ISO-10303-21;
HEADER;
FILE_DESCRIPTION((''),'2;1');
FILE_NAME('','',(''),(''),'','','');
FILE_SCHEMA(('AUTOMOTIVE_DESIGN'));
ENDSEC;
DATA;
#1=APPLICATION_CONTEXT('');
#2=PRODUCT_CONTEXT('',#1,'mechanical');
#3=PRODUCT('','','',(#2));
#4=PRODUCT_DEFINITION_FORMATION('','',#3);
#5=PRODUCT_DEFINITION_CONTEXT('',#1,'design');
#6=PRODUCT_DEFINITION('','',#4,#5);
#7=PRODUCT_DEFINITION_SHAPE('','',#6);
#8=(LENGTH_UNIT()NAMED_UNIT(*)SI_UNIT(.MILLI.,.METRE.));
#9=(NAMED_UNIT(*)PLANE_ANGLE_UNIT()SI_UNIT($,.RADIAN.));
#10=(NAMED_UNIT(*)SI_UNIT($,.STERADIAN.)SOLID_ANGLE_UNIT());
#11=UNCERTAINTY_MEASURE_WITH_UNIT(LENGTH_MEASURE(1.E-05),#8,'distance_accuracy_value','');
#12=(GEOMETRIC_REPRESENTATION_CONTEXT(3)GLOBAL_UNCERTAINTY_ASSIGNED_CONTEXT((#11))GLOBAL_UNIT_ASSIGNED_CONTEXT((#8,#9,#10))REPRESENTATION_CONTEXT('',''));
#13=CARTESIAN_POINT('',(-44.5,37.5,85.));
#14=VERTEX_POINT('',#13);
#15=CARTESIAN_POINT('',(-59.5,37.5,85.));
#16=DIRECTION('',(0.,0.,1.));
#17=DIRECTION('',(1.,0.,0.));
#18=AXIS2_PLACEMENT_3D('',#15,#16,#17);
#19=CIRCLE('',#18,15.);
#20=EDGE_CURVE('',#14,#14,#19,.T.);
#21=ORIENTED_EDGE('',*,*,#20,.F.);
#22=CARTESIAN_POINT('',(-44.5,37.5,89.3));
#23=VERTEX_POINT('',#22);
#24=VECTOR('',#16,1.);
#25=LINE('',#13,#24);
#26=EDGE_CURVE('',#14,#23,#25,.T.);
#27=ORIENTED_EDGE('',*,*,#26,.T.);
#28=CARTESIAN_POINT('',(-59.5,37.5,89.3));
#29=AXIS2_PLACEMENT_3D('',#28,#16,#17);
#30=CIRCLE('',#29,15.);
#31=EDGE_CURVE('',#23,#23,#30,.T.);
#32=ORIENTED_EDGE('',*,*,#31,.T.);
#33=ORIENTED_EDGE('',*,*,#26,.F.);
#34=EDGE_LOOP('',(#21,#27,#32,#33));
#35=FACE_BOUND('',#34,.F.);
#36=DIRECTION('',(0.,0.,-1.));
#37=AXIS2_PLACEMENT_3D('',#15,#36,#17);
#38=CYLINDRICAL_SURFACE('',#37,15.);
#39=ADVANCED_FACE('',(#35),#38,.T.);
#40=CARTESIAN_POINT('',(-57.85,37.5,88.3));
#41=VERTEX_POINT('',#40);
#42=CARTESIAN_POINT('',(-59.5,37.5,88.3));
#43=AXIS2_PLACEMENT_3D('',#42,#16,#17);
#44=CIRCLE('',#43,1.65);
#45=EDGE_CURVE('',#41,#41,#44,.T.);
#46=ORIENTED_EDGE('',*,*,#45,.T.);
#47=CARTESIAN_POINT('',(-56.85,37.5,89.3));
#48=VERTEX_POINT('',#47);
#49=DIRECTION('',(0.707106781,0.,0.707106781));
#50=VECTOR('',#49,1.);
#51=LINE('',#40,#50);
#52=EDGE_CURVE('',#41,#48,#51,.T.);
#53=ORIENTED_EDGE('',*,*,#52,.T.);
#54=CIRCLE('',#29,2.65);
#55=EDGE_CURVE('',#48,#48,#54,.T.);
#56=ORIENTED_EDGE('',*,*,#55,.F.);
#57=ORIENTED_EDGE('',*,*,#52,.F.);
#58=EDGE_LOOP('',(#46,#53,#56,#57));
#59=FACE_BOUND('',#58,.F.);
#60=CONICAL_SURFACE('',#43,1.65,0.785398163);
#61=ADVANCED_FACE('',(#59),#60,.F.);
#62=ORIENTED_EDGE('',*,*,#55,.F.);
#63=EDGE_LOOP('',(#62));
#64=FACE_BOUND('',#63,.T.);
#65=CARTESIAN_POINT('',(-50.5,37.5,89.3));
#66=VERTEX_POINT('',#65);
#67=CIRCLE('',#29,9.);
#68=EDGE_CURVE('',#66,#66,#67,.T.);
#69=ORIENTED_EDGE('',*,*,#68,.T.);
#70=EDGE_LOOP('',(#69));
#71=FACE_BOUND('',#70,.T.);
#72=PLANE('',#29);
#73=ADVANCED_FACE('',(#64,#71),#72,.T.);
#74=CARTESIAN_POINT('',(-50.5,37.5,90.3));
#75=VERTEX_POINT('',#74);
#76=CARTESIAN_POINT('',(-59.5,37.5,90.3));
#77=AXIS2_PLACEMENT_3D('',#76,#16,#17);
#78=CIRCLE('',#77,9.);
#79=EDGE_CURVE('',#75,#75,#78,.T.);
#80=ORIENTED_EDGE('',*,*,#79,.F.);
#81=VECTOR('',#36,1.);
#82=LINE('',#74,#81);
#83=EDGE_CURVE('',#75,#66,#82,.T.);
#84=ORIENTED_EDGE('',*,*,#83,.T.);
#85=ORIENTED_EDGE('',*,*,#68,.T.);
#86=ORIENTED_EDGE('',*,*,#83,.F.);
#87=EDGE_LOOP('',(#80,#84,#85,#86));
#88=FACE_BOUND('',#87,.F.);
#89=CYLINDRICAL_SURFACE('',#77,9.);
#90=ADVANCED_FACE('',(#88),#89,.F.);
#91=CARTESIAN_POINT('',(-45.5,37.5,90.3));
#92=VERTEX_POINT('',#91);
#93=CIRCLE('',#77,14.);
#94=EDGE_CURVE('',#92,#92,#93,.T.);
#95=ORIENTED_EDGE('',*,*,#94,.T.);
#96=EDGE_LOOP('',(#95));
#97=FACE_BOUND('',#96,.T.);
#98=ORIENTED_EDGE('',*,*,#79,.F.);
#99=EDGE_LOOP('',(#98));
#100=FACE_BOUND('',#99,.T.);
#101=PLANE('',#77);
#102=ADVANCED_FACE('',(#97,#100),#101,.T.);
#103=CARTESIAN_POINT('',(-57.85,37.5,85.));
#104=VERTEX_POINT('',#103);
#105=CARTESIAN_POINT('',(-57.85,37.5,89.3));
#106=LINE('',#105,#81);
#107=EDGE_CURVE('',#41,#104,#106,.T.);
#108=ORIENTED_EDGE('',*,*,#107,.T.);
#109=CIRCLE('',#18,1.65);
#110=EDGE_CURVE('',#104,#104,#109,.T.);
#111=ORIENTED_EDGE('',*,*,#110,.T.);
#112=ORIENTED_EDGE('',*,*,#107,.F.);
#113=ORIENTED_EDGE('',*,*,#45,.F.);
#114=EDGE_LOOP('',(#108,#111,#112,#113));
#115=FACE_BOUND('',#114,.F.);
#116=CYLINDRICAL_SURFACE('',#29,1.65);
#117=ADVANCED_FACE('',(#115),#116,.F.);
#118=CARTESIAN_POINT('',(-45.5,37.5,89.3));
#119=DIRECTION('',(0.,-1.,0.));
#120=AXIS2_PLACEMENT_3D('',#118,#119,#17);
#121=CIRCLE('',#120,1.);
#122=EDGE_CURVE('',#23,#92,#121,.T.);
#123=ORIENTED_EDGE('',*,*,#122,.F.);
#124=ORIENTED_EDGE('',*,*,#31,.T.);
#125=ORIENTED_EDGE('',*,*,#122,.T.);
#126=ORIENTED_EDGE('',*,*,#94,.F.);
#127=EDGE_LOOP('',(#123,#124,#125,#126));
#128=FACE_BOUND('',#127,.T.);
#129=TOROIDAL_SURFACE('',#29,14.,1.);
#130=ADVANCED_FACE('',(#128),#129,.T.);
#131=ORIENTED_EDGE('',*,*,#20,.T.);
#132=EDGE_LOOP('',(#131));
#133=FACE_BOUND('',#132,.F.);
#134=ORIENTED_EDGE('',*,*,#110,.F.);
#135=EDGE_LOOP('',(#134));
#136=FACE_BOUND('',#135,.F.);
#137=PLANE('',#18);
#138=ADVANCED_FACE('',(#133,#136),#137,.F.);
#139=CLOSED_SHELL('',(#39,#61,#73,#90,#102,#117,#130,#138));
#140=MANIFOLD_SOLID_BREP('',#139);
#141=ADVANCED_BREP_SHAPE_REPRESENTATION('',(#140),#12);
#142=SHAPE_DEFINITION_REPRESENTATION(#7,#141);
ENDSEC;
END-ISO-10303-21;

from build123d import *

# Parameters (mm, degrees)
SKETCH031_R     = 15
PAD012_DEPTH    = 5.3
SKETCH033_R     = 9
POCKET017_DEPTH = 1
SKETCH034_R     = 1.65
POCKET018_DEPTH = 5
FILLET007_R     = 1
CHAMFER002_SIZE = 1


with BuildPart() as part:
    # Sketch031 → Pad012 (new body)
    with BuildSketch(Plane.XY):
        Circle(SKETCH031_R)
    extrude(amount=PAD012_DEPTH)

    # Sketch033 → Pocket017 (cut)
    with BuildSketch(Plane.XY.offset(5.3)):
        Circle(SKETCH033_R)
    extrude(amount=-POCKET017_DEPTH, mode=Mode.SUBTRACT)

    # Sketch034 (on Face5 of Pocket017) → Pocket018 (cut)
    with BuildSketch(Plane.XY.offset(4.3)):
        Circle(SKETCH034_R)
    extrude(amount=-POCKET018_DEPTH, mode=Mode.SUBTRACT)

    # Fillet007
    fillet007_edges = [part.edges().sort_by_distance(p)[0] for p in [
        (-15, 0, 5.3),
    ]]
    fillet(fillet007_edges, radius=FILLET007_R)

    # Chamfer002
    chamfer002_edges = [part.edges().sort_by_distance(p)[0] for p in [
        (-1.65, 0, 4.3),
    ]]
    chamfer(chamfer002_edges, length=CHAMFER002_SIZE)


with BuildPart() as part_1:
    # Body008 placement: moved
    add(part.part.moved(Location((-59.5, 37.5, 85))))


solid = part_1.part
